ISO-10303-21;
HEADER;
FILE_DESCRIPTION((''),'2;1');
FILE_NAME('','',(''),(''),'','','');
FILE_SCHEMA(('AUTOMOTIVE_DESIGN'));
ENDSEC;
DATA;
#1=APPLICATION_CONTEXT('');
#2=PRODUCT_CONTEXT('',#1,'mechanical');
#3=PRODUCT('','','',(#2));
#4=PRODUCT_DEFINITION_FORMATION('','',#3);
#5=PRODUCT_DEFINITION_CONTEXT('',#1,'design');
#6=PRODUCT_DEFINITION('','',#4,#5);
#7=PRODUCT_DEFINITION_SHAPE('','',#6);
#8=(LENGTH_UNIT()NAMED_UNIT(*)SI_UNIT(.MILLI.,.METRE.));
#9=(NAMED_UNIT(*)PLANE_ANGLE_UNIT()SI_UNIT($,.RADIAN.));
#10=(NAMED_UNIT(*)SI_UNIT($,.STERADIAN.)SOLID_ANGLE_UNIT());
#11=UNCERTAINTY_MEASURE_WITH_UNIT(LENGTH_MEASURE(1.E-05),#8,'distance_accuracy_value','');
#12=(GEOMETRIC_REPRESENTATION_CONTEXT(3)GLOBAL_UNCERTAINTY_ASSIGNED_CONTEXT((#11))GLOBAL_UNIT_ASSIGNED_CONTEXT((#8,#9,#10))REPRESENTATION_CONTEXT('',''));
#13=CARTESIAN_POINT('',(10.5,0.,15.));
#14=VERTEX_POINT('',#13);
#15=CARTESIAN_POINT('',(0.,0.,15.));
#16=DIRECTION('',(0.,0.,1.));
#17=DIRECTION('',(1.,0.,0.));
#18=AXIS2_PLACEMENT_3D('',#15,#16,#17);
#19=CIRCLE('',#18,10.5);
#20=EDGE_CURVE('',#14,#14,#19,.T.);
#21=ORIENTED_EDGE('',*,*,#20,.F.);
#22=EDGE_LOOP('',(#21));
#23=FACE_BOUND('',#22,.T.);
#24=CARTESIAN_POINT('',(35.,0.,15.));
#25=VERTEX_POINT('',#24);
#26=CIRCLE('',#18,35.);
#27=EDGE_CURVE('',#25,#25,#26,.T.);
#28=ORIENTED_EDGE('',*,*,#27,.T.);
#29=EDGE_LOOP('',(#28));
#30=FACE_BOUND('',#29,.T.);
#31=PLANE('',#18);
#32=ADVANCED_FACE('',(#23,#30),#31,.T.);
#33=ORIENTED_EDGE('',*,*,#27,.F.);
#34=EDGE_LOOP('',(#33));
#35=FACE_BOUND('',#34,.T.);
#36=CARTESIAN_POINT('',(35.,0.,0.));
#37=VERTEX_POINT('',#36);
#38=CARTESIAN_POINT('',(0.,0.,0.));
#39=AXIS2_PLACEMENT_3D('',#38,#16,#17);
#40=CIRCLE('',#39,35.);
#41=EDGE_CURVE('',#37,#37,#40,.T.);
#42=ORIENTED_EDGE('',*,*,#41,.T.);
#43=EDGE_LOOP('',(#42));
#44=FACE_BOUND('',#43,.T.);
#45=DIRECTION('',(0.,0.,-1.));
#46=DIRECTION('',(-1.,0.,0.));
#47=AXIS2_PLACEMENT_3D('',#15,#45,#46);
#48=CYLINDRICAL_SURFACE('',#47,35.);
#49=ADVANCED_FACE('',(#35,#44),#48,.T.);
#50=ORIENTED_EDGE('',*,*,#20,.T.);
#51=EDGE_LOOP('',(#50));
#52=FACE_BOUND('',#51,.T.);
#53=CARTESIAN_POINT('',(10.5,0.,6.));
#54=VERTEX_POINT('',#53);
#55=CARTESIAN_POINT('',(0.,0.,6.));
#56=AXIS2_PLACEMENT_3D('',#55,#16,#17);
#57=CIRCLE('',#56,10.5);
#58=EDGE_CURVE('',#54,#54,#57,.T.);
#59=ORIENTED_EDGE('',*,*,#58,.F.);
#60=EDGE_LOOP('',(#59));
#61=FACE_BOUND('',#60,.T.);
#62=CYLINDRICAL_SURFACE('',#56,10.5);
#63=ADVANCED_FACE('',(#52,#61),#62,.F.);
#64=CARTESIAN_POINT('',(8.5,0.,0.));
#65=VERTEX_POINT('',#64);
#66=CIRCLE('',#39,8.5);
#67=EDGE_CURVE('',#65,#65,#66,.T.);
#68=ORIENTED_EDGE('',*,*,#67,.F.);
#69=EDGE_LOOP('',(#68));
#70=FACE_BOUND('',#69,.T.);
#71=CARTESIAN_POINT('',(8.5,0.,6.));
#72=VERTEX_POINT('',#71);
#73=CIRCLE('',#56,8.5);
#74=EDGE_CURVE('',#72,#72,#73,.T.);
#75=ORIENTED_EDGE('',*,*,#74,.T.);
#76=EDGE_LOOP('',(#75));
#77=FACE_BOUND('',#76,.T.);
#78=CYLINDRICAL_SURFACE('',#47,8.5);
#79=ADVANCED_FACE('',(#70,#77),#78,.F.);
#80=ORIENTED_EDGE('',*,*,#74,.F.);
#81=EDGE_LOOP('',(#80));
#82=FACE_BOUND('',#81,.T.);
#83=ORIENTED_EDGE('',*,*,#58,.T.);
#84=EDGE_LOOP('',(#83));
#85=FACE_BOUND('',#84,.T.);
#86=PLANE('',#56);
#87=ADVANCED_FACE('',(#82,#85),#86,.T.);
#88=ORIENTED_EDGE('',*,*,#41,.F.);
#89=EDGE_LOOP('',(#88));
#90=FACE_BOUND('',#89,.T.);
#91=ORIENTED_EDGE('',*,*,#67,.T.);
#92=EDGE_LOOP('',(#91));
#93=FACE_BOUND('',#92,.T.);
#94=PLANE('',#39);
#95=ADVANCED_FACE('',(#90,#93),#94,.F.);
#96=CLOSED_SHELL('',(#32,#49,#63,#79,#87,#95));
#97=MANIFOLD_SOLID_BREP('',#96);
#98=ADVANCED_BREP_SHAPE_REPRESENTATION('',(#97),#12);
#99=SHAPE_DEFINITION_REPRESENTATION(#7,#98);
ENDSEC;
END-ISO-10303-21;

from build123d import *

# Parameters (mm, degrees)
ESQUISSE1_R             = 35
ESQUISSE1_R_2           = 8.5
BOSS_EXTRU_1_DEPTH      = 15
ESQUISSE2_R             = 10.5
ENL_V_MAT_EXTRU_1_DEPTH = 9


with BuildPart() as part:
    # Esquisse1 → Boss.-Extru.1 (new body)
    with BuildSketch(Plane.XY):
        Circle(ESQUISSE1_R)
        Circle(ESQUISSE1_R_2, mode=Mode.SUBTRACT)
    extrude(amount=BOSS_EXTRU_1_DEPTH)

    # Esquisse2 → Enlèv. mat.-Extru.1 (cut)
    with BuildSketch(Plane.XY.offset(15)):
        Circle(ESQUISSE2_R)
    extrude(amount=-ENL_V_MAT_EXTRU_1_DEPTH, mode=Mode.SUBTRACT)


solid = part.part
